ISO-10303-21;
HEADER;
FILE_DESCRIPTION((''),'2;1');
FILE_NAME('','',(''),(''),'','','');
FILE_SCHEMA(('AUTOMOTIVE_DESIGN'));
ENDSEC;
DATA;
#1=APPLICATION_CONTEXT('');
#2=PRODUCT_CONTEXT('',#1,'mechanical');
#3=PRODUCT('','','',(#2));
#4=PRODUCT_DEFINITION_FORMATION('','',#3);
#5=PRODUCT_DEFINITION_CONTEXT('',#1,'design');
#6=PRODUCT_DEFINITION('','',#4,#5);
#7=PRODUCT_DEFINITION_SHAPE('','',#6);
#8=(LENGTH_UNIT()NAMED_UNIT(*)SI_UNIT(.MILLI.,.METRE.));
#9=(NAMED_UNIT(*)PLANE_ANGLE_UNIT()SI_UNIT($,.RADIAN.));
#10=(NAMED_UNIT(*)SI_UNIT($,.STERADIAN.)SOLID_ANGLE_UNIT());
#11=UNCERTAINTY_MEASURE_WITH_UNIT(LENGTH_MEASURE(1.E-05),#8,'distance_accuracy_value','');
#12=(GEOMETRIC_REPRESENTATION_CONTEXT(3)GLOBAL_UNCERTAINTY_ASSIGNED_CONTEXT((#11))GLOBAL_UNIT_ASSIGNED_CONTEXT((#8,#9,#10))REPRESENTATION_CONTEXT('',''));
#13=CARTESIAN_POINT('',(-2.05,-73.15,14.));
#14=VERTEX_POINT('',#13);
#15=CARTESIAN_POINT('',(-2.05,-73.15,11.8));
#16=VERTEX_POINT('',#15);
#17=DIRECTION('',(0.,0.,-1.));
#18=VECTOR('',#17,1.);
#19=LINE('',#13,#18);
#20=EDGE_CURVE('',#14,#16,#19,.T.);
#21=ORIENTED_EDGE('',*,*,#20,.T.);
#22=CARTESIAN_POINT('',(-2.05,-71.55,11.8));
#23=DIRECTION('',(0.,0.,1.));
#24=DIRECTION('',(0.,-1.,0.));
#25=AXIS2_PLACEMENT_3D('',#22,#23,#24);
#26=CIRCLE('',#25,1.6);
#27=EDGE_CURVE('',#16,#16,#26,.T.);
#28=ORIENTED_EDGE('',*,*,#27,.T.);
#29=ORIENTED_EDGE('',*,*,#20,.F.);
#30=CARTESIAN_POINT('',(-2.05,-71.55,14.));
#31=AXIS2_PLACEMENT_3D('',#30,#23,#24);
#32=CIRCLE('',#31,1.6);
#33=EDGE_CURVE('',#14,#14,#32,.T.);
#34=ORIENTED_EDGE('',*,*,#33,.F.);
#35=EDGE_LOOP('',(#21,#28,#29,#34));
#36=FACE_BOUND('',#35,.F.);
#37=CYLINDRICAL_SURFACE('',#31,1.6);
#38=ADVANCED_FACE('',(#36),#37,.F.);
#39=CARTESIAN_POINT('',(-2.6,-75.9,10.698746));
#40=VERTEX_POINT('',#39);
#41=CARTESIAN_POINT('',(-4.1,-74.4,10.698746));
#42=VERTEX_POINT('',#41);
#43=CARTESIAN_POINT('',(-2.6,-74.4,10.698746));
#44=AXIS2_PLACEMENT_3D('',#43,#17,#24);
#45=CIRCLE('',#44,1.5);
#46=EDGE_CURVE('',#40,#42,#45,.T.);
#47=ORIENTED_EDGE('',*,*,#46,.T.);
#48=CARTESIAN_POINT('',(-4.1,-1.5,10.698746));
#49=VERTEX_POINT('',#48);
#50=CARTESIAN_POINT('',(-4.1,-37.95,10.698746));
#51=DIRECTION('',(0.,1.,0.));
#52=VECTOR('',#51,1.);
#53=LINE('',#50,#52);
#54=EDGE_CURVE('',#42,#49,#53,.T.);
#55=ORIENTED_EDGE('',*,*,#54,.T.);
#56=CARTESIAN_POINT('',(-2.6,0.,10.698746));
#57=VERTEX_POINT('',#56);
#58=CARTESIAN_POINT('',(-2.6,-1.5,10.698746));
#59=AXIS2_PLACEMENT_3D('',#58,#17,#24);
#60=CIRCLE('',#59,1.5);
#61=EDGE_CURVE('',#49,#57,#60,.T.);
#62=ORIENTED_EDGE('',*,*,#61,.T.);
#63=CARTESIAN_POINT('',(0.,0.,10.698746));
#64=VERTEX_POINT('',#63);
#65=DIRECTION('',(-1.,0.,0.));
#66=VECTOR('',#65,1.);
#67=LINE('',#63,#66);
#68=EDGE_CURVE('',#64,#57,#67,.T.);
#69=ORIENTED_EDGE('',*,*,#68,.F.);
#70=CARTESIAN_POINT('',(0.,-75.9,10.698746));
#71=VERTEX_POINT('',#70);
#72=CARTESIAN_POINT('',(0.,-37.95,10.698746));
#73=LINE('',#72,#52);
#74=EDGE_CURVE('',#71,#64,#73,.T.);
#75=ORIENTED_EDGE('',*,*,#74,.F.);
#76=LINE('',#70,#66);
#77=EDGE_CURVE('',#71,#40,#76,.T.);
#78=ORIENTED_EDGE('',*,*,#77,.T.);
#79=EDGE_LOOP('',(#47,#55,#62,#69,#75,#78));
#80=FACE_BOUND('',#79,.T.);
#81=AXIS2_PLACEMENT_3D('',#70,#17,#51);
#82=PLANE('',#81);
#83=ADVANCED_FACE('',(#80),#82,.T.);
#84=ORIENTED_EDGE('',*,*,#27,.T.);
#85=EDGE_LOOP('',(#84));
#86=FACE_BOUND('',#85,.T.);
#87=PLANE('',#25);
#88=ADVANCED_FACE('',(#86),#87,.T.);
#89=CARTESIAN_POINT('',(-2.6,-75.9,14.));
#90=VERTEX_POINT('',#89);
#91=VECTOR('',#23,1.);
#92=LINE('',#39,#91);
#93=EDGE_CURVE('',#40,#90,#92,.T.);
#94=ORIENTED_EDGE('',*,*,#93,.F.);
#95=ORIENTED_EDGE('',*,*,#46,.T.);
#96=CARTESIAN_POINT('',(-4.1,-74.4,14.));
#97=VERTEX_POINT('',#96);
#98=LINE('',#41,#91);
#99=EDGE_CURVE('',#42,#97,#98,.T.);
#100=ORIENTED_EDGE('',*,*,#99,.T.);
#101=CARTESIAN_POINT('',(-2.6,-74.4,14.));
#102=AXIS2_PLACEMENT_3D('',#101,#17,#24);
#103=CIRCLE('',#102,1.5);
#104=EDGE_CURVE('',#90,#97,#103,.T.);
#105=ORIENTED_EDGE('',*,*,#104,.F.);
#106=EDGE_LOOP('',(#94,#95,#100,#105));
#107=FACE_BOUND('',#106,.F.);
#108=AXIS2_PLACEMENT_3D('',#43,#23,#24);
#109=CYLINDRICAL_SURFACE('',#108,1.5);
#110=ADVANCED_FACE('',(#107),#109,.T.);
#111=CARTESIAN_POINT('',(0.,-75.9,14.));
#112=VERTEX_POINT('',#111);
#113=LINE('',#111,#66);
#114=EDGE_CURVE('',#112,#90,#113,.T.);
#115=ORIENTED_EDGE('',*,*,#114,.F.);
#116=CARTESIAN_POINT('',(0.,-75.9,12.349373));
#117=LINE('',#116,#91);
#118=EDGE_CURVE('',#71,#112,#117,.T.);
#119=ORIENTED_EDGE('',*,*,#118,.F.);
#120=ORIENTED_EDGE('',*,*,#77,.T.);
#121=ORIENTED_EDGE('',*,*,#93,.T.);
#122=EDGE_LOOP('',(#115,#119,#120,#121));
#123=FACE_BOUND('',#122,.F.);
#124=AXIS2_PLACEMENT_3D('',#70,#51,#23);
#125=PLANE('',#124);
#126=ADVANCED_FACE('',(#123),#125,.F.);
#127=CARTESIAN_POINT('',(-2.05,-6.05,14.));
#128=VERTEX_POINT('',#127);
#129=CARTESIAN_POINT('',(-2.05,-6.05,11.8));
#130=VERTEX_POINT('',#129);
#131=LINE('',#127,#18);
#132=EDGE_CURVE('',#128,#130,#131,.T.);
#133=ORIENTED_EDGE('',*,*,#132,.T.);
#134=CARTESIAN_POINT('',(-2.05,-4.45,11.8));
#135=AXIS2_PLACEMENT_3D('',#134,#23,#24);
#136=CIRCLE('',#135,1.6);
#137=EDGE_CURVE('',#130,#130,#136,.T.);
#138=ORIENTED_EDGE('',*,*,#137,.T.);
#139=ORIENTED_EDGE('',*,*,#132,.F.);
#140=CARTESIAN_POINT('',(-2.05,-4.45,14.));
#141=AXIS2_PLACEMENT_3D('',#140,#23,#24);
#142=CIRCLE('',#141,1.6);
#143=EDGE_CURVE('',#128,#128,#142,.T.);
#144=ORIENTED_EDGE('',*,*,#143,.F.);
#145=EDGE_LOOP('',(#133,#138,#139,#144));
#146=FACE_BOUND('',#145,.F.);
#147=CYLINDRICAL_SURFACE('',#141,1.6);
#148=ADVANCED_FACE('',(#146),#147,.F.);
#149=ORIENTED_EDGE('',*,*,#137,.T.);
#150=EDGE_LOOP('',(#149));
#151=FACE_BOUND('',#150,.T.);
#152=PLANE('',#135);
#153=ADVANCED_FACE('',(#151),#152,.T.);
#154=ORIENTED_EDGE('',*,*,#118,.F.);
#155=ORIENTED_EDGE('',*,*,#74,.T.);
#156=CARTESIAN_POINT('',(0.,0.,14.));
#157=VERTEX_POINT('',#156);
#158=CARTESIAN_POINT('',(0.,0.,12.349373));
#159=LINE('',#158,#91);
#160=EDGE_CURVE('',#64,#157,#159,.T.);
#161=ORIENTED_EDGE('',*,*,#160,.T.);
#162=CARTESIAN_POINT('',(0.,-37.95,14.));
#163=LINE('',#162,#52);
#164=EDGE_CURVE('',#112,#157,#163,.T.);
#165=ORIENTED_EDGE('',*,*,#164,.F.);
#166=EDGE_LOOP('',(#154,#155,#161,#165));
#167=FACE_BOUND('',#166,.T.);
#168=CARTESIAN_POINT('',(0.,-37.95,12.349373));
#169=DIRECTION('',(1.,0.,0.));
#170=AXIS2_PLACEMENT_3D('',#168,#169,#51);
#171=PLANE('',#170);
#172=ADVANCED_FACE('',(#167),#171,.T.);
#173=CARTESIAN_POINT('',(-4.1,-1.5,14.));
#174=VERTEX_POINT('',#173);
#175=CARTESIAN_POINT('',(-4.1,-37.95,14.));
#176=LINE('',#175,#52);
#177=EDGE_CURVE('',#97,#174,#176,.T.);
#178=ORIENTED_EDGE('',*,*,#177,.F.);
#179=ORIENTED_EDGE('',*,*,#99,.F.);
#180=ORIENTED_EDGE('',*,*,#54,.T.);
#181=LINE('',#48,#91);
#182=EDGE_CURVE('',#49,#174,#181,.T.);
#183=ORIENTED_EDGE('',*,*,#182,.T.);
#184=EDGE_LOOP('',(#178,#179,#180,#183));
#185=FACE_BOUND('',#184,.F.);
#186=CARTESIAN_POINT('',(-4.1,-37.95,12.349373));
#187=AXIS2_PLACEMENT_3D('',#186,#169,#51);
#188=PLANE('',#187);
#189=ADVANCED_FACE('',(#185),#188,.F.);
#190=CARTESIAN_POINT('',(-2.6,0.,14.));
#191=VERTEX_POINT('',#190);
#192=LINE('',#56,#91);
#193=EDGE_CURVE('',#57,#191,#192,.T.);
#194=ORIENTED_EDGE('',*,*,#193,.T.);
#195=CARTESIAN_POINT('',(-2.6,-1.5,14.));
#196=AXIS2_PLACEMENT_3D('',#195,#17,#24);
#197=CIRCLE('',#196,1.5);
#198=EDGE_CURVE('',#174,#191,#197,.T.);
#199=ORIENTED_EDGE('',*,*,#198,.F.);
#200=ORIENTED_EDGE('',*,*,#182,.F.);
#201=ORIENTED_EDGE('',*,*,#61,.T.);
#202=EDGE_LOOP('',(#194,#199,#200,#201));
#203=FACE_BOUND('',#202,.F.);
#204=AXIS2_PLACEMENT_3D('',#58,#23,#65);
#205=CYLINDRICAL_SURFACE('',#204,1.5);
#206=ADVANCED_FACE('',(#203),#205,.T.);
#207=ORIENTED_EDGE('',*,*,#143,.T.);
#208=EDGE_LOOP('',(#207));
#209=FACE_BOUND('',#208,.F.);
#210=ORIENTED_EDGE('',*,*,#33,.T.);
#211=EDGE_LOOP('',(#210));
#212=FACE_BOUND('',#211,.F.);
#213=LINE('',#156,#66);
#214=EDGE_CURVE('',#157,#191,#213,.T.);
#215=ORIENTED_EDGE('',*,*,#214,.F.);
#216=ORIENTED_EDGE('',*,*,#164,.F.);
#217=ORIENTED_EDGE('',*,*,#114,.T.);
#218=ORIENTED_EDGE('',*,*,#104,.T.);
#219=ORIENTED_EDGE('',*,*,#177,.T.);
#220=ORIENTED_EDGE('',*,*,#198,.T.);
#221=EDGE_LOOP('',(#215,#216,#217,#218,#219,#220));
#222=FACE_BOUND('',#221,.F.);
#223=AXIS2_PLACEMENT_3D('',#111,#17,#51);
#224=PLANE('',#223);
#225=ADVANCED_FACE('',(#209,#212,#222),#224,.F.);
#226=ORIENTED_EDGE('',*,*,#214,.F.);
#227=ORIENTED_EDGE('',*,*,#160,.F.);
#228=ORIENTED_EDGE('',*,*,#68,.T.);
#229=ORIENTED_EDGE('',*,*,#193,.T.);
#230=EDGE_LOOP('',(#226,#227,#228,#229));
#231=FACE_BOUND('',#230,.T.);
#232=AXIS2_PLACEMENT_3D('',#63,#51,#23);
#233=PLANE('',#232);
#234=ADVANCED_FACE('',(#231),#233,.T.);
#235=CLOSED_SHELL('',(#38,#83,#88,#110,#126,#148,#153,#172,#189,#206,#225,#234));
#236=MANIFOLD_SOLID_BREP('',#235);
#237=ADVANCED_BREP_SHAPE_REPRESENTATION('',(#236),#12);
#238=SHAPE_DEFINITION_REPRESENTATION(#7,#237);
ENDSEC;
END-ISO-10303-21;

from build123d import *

# Parameters (mm, degrees)
SKETCH010_W  = 75.9
SKETCH010_H  = 3.301254
PAD004_DEPTH = 4.1
SKETCH_R     = 1.6
POCKET_DEPTH = 2.2
FILLET_R     = 1.5


with BuildPart() as part:
    # Sketch010 → Pad004 (new body)
    with BuildSketch(Plane.YZ):
        with Locations((-37.95, 12.349373)):
            Rectangle(SKETCH010_W, SKETCH010_H)
    extrude(amount=-PAD004_DEPTH)

    # Sketch (on Face4 of Pad004) → Pocket (cut)
    with BuildSketch(Plane(origin=(0, 0, 14), x_dir=(0, -1, 0), z_dir=(0, 0, 1))):
        with Locations((4.45, -2.05)):
            Circle(SKETCH_R)
        with Locations((71.55, -2.05)):
            Circle(SKETCH_R)
    extrude(amount=-POCKET_DEPTH, mode=Mode.SUBTRACT)

    # Fillet
    fillet_edges = [part.edges().sort_by_distance(p)[0] for p in [
        (-4.1, -75.9, 12.349373),
        (-4.1, 0, 12.349373),
    ]]
    fillet(fillet_edges, radius=FILLET_R)


solid = part.part
